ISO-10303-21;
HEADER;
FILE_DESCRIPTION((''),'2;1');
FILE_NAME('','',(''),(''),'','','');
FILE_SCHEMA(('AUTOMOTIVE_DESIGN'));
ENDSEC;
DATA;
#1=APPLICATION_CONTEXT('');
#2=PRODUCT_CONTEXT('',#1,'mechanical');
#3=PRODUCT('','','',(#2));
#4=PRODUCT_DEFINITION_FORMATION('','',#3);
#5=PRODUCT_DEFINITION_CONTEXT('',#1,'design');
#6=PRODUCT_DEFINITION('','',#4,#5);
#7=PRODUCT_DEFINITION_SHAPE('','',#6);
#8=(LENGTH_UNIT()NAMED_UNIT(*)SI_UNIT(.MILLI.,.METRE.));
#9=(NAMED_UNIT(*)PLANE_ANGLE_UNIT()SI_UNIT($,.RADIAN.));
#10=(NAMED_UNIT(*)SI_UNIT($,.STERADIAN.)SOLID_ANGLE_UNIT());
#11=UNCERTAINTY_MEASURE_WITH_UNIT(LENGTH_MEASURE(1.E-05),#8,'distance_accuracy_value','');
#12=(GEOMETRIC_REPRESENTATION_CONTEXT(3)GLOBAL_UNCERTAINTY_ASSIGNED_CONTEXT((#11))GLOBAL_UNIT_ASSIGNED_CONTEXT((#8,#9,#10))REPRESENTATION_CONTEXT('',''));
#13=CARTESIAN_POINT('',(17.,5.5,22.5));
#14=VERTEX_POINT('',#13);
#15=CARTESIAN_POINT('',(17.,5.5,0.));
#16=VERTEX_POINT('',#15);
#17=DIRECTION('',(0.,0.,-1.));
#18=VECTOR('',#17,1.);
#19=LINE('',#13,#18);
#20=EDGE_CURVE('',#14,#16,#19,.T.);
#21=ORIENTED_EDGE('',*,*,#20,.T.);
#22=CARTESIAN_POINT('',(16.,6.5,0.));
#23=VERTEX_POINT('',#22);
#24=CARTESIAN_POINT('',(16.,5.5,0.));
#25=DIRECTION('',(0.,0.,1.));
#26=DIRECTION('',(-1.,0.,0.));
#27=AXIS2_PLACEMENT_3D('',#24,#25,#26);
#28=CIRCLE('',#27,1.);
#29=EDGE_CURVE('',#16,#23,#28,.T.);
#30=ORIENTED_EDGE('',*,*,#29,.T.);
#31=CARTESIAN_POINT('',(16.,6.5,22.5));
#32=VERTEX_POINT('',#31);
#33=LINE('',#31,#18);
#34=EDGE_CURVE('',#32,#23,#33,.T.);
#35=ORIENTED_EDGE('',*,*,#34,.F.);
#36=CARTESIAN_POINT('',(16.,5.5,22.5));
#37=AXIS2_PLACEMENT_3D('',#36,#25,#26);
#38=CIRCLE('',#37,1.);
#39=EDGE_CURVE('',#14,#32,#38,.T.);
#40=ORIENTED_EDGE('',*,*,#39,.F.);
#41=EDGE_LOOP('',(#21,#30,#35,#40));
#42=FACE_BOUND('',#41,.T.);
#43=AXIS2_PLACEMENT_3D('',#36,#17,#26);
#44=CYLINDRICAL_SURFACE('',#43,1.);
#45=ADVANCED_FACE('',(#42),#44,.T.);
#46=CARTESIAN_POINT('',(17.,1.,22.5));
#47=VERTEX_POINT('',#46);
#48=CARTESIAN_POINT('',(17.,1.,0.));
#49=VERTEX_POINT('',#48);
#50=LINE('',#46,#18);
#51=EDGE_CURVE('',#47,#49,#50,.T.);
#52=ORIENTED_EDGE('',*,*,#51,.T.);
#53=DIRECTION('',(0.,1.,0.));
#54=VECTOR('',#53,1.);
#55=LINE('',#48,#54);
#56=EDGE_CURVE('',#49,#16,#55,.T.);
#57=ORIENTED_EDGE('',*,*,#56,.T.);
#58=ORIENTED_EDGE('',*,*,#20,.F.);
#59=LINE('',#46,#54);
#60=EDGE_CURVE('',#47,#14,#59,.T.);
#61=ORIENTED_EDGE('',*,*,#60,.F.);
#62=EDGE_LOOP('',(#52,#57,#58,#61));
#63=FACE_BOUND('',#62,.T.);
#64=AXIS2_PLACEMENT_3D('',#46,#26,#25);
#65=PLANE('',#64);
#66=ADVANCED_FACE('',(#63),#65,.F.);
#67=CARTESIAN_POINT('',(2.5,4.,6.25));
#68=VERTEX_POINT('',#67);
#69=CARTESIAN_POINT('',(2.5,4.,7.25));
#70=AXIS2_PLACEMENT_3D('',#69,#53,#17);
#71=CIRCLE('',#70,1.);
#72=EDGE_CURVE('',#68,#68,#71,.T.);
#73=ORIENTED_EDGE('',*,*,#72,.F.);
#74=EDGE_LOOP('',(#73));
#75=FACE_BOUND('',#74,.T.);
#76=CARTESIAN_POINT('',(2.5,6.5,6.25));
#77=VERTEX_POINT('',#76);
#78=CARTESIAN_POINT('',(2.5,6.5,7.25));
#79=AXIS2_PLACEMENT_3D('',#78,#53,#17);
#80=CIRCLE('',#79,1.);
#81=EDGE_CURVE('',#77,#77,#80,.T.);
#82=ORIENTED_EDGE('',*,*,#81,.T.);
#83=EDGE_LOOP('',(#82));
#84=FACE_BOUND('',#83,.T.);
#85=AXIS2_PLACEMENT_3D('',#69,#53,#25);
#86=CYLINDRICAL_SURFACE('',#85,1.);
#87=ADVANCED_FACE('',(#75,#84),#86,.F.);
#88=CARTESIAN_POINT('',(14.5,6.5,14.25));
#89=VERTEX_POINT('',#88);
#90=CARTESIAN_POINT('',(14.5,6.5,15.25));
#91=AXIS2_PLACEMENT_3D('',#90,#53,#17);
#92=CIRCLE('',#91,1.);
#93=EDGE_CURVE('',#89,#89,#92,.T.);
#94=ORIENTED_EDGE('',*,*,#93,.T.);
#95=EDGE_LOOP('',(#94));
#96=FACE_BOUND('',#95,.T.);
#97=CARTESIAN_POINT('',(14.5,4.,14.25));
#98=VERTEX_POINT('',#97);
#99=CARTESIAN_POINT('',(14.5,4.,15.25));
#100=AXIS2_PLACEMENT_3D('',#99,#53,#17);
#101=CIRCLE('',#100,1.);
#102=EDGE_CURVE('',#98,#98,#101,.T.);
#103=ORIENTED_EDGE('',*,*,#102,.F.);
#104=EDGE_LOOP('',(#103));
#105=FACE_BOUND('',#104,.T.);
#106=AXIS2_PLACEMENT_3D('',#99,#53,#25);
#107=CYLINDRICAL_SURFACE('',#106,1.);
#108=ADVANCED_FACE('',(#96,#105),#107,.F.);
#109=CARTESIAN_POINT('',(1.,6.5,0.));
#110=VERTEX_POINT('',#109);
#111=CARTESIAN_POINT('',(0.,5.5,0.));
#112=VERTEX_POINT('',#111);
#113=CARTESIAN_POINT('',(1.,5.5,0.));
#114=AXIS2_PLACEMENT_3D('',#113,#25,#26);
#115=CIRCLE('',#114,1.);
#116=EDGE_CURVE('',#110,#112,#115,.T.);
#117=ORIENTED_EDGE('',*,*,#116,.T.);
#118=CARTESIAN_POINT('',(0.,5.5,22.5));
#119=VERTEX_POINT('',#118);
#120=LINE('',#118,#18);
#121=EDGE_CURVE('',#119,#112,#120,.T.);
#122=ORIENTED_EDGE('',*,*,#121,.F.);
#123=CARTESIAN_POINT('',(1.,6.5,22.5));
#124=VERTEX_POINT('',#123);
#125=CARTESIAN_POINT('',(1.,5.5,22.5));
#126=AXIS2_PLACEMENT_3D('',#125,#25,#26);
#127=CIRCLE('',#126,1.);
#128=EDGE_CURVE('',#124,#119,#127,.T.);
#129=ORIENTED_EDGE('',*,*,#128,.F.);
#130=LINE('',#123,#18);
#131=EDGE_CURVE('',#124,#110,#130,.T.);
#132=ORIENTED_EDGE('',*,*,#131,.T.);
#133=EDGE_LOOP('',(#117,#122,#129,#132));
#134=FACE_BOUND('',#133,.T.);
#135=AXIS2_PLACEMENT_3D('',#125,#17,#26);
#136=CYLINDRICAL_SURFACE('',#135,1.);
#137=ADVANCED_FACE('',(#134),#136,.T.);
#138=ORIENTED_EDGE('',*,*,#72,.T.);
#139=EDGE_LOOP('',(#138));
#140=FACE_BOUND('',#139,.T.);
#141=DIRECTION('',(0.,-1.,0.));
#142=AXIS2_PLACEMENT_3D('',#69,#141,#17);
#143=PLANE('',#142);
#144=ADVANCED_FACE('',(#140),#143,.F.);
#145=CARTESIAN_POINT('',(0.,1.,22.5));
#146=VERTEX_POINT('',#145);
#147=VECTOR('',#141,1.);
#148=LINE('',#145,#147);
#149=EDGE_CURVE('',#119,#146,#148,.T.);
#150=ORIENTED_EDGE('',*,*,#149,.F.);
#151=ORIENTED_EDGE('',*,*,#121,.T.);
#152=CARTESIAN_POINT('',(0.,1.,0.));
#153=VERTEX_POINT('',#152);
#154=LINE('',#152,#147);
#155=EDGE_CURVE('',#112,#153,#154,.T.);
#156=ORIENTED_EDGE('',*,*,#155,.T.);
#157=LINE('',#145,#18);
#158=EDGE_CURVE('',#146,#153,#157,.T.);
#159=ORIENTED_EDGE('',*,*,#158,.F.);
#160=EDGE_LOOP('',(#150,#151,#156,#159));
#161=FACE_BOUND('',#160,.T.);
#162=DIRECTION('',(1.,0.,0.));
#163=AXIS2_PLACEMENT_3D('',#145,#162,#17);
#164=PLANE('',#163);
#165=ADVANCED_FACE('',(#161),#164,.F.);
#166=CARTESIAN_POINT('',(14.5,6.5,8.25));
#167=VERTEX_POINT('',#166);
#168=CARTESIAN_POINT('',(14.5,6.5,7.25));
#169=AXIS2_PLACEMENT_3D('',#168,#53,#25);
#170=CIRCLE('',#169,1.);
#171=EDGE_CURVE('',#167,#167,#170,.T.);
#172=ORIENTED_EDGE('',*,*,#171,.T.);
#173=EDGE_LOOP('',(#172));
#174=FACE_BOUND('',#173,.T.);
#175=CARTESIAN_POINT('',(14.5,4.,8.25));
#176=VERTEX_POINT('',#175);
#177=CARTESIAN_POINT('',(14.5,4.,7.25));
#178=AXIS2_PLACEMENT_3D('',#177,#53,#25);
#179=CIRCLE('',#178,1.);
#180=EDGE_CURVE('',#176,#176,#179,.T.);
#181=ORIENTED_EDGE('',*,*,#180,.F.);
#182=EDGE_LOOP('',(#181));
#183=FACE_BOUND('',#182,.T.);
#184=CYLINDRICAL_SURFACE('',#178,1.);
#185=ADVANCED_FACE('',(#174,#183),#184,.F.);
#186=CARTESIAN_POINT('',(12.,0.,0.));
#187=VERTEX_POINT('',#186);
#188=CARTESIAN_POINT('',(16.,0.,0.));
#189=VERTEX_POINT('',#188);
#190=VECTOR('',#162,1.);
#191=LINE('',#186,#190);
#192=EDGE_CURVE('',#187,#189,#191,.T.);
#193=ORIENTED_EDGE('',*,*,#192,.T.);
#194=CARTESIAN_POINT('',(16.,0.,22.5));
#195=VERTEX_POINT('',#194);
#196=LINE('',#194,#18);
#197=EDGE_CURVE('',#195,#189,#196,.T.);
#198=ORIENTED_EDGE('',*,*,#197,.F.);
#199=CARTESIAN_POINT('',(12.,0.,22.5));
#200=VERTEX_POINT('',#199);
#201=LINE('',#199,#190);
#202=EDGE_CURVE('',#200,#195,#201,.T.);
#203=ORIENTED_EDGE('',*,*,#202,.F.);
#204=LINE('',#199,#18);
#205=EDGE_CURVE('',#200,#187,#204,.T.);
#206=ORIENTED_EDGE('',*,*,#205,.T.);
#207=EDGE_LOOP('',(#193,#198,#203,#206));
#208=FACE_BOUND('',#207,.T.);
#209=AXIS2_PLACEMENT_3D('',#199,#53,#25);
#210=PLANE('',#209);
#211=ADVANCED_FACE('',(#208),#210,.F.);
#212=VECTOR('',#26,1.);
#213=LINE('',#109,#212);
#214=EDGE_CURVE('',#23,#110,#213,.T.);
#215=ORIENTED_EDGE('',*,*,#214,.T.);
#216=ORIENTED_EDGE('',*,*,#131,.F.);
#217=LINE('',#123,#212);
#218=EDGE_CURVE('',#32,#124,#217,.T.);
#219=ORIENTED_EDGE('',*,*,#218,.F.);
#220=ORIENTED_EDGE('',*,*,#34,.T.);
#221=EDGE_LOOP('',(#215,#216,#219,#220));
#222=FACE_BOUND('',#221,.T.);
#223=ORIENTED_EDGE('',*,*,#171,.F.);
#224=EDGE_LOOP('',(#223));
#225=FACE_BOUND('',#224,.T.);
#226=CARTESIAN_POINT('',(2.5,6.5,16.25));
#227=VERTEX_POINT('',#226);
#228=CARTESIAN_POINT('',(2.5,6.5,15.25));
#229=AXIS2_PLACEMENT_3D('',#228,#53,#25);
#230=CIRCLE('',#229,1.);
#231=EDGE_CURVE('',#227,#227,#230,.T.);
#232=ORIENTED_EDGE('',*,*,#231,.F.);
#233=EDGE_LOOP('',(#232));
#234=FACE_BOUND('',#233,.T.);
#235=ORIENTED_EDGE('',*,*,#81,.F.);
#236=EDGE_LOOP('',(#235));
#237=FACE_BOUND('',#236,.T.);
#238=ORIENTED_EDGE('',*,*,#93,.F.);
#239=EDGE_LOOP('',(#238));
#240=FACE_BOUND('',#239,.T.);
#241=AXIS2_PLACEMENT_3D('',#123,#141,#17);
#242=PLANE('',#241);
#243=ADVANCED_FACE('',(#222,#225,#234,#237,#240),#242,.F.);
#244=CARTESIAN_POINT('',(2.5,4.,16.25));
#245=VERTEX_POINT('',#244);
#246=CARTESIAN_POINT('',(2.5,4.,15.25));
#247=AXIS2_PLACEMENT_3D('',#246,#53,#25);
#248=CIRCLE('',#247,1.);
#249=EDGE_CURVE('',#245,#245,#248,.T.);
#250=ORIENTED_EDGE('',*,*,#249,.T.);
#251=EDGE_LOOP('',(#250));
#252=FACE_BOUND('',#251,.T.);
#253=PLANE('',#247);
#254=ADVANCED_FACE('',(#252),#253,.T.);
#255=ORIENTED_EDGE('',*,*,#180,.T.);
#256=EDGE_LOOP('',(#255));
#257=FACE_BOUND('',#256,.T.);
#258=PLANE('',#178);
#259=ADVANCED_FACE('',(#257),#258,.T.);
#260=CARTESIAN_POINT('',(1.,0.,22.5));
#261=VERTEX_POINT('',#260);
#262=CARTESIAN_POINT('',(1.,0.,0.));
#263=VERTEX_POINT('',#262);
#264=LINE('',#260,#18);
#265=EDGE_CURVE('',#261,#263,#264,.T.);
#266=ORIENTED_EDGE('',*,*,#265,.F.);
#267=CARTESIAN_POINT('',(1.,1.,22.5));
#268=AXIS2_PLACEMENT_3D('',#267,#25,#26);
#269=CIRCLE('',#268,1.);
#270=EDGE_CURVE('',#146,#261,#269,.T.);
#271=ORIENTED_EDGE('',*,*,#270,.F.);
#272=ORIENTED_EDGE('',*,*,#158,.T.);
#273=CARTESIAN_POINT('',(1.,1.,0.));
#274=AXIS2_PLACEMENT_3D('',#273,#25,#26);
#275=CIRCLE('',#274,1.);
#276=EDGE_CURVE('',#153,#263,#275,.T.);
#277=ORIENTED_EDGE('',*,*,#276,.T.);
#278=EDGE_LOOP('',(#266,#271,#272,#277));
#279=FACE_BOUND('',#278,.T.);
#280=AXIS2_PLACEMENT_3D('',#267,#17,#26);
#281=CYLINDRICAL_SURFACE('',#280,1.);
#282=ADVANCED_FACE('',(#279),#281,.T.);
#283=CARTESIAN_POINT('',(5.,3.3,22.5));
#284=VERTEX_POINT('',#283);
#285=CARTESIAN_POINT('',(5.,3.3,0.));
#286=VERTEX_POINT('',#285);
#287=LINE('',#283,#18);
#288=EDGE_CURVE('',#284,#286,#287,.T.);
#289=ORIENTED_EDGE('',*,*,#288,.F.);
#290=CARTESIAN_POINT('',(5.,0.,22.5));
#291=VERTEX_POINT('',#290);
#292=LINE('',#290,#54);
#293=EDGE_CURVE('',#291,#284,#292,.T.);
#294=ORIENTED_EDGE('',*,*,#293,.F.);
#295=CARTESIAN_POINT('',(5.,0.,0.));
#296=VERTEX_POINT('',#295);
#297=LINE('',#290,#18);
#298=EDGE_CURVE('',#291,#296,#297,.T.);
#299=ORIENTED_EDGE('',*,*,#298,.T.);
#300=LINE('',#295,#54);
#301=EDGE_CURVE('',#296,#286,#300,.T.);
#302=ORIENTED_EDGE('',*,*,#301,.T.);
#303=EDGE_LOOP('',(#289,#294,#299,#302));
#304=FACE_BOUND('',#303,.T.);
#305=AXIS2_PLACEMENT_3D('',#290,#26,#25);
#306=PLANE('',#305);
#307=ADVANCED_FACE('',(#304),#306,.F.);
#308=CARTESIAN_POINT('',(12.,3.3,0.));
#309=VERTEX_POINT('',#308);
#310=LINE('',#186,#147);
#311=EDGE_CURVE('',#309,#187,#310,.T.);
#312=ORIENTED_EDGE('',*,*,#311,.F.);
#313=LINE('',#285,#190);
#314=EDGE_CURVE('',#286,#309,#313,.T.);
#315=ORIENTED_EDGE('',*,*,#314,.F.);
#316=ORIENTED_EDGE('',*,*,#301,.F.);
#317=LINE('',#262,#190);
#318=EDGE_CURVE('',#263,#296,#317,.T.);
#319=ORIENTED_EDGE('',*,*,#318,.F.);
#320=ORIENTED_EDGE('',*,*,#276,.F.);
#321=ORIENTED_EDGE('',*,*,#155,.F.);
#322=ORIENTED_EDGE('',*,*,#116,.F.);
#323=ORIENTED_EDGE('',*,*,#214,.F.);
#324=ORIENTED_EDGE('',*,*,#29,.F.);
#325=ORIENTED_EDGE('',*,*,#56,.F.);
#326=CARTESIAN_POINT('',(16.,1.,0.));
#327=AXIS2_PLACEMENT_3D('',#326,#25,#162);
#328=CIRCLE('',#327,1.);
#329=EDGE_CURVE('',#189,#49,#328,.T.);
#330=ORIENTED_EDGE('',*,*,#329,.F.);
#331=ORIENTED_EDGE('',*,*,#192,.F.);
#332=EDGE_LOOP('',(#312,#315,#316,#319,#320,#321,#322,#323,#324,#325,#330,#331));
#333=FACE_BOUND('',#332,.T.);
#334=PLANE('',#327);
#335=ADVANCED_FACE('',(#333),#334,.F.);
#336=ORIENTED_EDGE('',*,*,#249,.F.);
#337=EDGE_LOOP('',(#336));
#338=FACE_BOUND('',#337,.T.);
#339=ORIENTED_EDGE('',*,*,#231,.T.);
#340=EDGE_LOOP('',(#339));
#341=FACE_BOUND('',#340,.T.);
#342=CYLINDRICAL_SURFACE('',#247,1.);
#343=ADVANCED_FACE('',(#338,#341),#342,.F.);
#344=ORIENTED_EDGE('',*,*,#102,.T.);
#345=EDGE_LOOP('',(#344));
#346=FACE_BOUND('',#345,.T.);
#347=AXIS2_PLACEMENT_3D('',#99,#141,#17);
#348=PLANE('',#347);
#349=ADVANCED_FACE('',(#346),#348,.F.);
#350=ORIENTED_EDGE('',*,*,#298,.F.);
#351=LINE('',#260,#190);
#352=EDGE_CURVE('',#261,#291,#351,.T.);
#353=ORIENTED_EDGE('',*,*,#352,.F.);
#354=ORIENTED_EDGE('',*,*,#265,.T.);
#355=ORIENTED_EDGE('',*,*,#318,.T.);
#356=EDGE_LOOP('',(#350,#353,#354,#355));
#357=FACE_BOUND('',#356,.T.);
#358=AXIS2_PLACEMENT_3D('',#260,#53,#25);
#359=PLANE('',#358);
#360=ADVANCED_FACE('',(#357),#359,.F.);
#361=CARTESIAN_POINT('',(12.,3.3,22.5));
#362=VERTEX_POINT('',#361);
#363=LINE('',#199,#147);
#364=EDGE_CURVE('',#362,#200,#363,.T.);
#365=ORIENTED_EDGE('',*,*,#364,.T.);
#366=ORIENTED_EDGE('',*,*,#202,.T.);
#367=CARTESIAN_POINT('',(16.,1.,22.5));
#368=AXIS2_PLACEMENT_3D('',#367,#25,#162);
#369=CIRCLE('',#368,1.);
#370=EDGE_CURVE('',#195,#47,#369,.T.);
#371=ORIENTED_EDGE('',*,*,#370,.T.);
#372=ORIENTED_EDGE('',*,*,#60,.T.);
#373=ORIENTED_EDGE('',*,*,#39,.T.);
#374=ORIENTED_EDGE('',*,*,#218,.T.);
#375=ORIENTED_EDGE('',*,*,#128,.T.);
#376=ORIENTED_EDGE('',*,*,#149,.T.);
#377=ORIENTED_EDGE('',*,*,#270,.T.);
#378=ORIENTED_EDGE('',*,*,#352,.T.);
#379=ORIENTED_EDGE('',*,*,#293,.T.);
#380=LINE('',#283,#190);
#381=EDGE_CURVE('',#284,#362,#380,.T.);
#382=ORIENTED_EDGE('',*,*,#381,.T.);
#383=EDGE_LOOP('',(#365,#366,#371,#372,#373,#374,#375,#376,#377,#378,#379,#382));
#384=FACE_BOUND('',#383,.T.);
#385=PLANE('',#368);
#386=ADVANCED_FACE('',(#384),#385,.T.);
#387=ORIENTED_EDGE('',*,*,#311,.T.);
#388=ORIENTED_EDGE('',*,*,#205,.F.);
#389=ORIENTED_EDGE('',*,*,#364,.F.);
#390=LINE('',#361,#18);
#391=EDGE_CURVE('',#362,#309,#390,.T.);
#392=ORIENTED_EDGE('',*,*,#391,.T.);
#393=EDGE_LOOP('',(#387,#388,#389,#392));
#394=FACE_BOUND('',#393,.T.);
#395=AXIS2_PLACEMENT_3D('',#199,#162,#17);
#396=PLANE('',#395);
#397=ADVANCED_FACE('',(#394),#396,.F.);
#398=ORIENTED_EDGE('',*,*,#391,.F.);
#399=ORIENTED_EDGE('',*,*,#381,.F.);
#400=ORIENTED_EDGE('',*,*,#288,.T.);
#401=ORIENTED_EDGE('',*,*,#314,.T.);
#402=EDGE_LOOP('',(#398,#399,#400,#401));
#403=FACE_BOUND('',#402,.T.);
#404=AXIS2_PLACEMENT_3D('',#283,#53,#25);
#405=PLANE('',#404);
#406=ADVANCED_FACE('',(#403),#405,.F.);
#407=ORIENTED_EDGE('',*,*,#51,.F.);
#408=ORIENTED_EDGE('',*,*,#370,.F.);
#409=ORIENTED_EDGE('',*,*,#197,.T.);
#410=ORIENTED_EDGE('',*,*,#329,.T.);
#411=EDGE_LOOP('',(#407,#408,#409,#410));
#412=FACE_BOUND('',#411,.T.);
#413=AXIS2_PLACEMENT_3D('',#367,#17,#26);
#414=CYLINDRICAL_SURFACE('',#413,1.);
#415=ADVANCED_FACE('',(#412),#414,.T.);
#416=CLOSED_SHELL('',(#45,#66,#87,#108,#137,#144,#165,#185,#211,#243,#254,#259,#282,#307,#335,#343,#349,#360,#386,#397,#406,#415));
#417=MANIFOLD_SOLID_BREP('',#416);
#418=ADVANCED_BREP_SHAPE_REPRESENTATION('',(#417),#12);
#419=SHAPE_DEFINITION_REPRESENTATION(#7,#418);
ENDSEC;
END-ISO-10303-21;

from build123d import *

# Parameters (mm, degrees)
EXTRUDE_1_DEPTH     = 22.5
SKETCH_2_R          = 1
CUT_EXTRUDE_1_DEPTH = 2.5


with BuildPart() as part:
    # 草图1 → 凸台-拉伸1 (new body)
    with BuildSketch(Plane.XY):
        with BuildLine():
            Line((5, 3.3), (12, 3.3))
            Line((12, 3.3), (12, 0))
            Line((12, 0), (16, 0))
            ThreePointArc((16, 0), (16.707106781, 0.292893219), (17, 1))
            Line((17, 1), (17, 5.5))
            ThreePointArc((17, 5.5), (16.707106781, 6.207106781), (16, 6.5))
            Line((16, 6.5), (1, 6.5))
            ThreePointArc((1, 6.5), (0.292893219, 6.207106781), (0, 5.5))
            Line((0, 5.5), (0, 1))
            ThreePointArc((0, 1), (0.292893219, 0.292893219), (1, 0))
            Line((1, 0), (5, 0))
            Line((5, 0), (5, 3.3))
        make_face()
    extrude(amount=EXTRUDE_1_DEPTH)

    # 草图2 → 切除-拉伸1 (cut)
    with BuildSketch(Plane(origin=(0, 6.5, 0), x_dir=(1, 0, 0), z_dir=(0, 1, 0))):
        with Locations((2.5, -15.25)):
            Circle(SKETCH_2_R)
        with Locations((2.5, -7.25)):
            Circle(SKETCH_2_R)
        with Locations((14.5, -7.25)):
            Circle(SKETCH_2_R)
        with Locations((14.5, -15.25)):
            Circle(SKETCH_2_R)
    extrude(amount=-CUT_EXTRUDE_1_DEPTH, mode=Mode.SUBTRACT)


solid = part.part
